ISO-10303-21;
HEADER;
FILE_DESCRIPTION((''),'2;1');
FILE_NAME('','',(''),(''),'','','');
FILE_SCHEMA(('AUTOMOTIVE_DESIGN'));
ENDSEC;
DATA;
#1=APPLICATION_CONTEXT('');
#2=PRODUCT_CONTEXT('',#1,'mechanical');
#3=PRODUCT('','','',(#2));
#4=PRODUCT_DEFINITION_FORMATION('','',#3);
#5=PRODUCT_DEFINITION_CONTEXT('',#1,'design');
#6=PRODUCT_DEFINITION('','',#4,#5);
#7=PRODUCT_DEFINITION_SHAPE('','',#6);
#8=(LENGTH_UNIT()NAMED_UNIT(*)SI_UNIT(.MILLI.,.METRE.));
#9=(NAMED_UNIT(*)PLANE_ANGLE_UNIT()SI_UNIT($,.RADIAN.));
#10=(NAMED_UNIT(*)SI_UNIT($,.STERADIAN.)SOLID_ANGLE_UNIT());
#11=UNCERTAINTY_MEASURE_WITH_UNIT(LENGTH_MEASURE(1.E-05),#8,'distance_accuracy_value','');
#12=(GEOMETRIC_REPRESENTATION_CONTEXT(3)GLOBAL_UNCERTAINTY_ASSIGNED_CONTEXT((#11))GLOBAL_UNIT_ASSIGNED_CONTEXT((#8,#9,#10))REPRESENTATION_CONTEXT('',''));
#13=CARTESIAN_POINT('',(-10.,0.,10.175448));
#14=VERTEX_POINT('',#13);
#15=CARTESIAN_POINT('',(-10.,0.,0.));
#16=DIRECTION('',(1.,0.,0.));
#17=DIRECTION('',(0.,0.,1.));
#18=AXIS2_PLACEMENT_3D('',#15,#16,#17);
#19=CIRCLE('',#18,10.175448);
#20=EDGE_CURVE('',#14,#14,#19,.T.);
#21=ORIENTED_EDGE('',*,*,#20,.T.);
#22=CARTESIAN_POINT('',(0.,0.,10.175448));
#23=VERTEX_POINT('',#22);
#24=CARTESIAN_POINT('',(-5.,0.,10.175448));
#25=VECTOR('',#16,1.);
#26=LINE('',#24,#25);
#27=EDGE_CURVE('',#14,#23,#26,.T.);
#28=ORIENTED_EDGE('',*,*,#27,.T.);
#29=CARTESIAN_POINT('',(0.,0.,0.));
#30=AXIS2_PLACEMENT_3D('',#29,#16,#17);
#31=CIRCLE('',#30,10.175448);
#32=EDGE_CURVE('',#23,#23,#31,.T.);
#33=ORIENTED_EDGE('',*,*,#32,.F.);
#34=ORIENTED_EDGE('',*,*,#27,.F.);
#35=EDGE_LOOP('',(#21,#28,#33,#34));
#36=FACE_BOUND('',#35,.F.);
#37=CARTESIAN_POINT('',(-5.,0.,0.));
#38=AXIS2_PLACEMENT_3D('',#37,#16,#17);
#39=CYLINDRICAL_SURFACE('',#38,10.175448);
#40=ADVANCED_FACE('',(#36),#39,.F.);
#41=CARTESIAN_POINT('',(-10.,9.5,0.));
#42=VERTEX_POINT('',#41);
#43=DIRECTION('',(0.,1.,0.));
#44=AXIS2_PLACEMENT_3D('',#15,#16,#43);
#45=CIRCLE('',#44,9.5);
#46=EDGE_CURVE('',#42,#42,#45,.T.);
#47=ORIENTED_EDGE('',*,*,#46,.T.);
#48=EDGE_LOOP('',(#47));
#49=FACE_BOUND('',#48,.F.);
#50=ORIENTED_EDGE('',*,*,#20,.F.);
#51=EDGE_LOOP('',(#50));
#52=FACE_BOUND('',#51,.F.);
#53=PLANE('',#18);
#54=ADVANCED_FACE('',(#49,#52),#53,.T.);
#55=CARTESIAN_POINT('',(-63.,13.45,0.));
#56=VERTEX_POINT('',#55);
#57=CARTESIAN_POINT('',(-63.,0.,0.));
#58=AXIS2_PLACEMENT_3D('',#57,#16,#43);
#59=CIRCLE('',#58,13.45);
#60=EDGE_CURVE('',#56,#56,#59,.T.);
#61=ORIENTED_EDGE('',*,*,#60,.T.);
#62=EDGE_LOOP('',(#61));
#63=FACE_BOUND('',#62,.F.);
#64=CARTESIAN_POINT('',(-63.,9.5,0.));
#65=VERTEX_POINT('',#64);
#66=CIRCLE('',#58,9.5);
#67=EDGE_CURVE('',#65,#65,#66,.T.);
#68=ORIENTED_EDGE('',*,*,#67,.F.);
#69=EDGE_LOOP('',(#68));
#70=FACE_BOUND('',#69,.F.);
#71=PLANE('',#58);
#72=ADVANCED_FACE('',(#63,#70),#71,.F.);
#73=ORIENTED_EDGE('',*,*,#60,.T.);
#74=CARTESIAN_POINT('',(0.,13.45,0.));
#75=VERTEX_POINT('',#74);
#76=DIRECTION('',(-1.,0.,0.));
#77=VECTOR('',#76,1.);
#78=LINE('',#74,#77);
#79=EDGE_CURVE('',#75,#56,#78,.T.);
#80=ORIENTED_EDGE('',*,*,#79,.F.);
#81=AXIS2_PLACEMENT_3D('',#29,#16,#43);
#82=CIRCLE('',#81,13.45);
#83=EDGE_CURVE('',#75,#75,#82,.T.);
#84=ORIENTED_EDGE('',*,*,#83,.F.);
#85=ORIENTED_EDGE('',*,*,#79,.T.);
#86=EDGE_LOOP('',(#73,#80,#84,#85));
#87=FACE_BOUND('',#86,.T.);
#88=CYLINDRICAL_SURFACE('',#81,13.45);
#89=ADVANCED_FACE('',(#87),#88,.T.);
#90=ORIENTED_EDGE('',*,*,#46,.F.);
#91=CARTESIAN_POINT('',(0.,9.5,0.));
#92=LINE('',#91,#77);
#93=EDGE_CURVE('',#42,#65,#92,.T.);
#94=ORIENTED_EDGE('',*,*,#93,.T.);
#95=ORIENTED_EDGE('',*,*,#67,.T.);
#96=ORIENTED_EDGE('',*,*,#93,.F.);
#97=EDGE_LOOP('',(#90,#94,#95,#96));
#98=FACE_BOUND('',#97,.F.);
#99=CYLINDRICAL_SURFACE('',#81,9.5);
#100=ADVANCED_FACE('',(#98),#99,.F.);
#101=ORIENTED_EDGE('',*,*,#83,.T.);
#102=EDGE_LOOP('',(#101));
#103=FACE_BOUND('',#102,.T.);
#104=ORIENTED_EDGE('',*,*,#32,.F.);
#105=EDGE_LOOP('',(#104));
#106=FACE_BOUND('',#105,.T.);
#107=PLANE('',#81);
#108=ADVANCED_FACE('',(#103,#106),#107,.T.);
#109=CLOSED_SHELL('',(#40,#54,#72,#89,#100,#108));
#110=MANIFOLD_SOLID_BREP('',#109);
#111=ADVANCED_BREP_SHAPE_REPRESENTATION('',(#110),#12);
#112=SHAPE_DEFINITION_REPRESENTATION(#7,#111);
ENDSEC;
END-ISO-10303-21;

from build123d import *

# Parameters (mm, degrees)
F0_R     = 13.45
F0_R_2   = 9.5
F1_DEPTH = 63
F2_W     = 10
F2_H     = 0.8


with BuildPart() as f1:
    # F0 (on Right) → F1 (new body)
    with BuildSketch(Plane.YZ):
        Circle(F0_R)
        Circle(F0_R_2, mode=Mode.SUBTRACT)
    extrude(amount=-F1_DEPTH)

    # F2 (on Front) → F3 (revolve, cut)
    with BuildSketch(Plane.XZ):
        with Locations((-5, 9.775448)):
            Rectangle(F2_W, F2_H)
    revolve(axis=Axis((0, 0, 0), (1, 0, 0)), mode=Mode.SUBTRACT)


solid = f1.part
